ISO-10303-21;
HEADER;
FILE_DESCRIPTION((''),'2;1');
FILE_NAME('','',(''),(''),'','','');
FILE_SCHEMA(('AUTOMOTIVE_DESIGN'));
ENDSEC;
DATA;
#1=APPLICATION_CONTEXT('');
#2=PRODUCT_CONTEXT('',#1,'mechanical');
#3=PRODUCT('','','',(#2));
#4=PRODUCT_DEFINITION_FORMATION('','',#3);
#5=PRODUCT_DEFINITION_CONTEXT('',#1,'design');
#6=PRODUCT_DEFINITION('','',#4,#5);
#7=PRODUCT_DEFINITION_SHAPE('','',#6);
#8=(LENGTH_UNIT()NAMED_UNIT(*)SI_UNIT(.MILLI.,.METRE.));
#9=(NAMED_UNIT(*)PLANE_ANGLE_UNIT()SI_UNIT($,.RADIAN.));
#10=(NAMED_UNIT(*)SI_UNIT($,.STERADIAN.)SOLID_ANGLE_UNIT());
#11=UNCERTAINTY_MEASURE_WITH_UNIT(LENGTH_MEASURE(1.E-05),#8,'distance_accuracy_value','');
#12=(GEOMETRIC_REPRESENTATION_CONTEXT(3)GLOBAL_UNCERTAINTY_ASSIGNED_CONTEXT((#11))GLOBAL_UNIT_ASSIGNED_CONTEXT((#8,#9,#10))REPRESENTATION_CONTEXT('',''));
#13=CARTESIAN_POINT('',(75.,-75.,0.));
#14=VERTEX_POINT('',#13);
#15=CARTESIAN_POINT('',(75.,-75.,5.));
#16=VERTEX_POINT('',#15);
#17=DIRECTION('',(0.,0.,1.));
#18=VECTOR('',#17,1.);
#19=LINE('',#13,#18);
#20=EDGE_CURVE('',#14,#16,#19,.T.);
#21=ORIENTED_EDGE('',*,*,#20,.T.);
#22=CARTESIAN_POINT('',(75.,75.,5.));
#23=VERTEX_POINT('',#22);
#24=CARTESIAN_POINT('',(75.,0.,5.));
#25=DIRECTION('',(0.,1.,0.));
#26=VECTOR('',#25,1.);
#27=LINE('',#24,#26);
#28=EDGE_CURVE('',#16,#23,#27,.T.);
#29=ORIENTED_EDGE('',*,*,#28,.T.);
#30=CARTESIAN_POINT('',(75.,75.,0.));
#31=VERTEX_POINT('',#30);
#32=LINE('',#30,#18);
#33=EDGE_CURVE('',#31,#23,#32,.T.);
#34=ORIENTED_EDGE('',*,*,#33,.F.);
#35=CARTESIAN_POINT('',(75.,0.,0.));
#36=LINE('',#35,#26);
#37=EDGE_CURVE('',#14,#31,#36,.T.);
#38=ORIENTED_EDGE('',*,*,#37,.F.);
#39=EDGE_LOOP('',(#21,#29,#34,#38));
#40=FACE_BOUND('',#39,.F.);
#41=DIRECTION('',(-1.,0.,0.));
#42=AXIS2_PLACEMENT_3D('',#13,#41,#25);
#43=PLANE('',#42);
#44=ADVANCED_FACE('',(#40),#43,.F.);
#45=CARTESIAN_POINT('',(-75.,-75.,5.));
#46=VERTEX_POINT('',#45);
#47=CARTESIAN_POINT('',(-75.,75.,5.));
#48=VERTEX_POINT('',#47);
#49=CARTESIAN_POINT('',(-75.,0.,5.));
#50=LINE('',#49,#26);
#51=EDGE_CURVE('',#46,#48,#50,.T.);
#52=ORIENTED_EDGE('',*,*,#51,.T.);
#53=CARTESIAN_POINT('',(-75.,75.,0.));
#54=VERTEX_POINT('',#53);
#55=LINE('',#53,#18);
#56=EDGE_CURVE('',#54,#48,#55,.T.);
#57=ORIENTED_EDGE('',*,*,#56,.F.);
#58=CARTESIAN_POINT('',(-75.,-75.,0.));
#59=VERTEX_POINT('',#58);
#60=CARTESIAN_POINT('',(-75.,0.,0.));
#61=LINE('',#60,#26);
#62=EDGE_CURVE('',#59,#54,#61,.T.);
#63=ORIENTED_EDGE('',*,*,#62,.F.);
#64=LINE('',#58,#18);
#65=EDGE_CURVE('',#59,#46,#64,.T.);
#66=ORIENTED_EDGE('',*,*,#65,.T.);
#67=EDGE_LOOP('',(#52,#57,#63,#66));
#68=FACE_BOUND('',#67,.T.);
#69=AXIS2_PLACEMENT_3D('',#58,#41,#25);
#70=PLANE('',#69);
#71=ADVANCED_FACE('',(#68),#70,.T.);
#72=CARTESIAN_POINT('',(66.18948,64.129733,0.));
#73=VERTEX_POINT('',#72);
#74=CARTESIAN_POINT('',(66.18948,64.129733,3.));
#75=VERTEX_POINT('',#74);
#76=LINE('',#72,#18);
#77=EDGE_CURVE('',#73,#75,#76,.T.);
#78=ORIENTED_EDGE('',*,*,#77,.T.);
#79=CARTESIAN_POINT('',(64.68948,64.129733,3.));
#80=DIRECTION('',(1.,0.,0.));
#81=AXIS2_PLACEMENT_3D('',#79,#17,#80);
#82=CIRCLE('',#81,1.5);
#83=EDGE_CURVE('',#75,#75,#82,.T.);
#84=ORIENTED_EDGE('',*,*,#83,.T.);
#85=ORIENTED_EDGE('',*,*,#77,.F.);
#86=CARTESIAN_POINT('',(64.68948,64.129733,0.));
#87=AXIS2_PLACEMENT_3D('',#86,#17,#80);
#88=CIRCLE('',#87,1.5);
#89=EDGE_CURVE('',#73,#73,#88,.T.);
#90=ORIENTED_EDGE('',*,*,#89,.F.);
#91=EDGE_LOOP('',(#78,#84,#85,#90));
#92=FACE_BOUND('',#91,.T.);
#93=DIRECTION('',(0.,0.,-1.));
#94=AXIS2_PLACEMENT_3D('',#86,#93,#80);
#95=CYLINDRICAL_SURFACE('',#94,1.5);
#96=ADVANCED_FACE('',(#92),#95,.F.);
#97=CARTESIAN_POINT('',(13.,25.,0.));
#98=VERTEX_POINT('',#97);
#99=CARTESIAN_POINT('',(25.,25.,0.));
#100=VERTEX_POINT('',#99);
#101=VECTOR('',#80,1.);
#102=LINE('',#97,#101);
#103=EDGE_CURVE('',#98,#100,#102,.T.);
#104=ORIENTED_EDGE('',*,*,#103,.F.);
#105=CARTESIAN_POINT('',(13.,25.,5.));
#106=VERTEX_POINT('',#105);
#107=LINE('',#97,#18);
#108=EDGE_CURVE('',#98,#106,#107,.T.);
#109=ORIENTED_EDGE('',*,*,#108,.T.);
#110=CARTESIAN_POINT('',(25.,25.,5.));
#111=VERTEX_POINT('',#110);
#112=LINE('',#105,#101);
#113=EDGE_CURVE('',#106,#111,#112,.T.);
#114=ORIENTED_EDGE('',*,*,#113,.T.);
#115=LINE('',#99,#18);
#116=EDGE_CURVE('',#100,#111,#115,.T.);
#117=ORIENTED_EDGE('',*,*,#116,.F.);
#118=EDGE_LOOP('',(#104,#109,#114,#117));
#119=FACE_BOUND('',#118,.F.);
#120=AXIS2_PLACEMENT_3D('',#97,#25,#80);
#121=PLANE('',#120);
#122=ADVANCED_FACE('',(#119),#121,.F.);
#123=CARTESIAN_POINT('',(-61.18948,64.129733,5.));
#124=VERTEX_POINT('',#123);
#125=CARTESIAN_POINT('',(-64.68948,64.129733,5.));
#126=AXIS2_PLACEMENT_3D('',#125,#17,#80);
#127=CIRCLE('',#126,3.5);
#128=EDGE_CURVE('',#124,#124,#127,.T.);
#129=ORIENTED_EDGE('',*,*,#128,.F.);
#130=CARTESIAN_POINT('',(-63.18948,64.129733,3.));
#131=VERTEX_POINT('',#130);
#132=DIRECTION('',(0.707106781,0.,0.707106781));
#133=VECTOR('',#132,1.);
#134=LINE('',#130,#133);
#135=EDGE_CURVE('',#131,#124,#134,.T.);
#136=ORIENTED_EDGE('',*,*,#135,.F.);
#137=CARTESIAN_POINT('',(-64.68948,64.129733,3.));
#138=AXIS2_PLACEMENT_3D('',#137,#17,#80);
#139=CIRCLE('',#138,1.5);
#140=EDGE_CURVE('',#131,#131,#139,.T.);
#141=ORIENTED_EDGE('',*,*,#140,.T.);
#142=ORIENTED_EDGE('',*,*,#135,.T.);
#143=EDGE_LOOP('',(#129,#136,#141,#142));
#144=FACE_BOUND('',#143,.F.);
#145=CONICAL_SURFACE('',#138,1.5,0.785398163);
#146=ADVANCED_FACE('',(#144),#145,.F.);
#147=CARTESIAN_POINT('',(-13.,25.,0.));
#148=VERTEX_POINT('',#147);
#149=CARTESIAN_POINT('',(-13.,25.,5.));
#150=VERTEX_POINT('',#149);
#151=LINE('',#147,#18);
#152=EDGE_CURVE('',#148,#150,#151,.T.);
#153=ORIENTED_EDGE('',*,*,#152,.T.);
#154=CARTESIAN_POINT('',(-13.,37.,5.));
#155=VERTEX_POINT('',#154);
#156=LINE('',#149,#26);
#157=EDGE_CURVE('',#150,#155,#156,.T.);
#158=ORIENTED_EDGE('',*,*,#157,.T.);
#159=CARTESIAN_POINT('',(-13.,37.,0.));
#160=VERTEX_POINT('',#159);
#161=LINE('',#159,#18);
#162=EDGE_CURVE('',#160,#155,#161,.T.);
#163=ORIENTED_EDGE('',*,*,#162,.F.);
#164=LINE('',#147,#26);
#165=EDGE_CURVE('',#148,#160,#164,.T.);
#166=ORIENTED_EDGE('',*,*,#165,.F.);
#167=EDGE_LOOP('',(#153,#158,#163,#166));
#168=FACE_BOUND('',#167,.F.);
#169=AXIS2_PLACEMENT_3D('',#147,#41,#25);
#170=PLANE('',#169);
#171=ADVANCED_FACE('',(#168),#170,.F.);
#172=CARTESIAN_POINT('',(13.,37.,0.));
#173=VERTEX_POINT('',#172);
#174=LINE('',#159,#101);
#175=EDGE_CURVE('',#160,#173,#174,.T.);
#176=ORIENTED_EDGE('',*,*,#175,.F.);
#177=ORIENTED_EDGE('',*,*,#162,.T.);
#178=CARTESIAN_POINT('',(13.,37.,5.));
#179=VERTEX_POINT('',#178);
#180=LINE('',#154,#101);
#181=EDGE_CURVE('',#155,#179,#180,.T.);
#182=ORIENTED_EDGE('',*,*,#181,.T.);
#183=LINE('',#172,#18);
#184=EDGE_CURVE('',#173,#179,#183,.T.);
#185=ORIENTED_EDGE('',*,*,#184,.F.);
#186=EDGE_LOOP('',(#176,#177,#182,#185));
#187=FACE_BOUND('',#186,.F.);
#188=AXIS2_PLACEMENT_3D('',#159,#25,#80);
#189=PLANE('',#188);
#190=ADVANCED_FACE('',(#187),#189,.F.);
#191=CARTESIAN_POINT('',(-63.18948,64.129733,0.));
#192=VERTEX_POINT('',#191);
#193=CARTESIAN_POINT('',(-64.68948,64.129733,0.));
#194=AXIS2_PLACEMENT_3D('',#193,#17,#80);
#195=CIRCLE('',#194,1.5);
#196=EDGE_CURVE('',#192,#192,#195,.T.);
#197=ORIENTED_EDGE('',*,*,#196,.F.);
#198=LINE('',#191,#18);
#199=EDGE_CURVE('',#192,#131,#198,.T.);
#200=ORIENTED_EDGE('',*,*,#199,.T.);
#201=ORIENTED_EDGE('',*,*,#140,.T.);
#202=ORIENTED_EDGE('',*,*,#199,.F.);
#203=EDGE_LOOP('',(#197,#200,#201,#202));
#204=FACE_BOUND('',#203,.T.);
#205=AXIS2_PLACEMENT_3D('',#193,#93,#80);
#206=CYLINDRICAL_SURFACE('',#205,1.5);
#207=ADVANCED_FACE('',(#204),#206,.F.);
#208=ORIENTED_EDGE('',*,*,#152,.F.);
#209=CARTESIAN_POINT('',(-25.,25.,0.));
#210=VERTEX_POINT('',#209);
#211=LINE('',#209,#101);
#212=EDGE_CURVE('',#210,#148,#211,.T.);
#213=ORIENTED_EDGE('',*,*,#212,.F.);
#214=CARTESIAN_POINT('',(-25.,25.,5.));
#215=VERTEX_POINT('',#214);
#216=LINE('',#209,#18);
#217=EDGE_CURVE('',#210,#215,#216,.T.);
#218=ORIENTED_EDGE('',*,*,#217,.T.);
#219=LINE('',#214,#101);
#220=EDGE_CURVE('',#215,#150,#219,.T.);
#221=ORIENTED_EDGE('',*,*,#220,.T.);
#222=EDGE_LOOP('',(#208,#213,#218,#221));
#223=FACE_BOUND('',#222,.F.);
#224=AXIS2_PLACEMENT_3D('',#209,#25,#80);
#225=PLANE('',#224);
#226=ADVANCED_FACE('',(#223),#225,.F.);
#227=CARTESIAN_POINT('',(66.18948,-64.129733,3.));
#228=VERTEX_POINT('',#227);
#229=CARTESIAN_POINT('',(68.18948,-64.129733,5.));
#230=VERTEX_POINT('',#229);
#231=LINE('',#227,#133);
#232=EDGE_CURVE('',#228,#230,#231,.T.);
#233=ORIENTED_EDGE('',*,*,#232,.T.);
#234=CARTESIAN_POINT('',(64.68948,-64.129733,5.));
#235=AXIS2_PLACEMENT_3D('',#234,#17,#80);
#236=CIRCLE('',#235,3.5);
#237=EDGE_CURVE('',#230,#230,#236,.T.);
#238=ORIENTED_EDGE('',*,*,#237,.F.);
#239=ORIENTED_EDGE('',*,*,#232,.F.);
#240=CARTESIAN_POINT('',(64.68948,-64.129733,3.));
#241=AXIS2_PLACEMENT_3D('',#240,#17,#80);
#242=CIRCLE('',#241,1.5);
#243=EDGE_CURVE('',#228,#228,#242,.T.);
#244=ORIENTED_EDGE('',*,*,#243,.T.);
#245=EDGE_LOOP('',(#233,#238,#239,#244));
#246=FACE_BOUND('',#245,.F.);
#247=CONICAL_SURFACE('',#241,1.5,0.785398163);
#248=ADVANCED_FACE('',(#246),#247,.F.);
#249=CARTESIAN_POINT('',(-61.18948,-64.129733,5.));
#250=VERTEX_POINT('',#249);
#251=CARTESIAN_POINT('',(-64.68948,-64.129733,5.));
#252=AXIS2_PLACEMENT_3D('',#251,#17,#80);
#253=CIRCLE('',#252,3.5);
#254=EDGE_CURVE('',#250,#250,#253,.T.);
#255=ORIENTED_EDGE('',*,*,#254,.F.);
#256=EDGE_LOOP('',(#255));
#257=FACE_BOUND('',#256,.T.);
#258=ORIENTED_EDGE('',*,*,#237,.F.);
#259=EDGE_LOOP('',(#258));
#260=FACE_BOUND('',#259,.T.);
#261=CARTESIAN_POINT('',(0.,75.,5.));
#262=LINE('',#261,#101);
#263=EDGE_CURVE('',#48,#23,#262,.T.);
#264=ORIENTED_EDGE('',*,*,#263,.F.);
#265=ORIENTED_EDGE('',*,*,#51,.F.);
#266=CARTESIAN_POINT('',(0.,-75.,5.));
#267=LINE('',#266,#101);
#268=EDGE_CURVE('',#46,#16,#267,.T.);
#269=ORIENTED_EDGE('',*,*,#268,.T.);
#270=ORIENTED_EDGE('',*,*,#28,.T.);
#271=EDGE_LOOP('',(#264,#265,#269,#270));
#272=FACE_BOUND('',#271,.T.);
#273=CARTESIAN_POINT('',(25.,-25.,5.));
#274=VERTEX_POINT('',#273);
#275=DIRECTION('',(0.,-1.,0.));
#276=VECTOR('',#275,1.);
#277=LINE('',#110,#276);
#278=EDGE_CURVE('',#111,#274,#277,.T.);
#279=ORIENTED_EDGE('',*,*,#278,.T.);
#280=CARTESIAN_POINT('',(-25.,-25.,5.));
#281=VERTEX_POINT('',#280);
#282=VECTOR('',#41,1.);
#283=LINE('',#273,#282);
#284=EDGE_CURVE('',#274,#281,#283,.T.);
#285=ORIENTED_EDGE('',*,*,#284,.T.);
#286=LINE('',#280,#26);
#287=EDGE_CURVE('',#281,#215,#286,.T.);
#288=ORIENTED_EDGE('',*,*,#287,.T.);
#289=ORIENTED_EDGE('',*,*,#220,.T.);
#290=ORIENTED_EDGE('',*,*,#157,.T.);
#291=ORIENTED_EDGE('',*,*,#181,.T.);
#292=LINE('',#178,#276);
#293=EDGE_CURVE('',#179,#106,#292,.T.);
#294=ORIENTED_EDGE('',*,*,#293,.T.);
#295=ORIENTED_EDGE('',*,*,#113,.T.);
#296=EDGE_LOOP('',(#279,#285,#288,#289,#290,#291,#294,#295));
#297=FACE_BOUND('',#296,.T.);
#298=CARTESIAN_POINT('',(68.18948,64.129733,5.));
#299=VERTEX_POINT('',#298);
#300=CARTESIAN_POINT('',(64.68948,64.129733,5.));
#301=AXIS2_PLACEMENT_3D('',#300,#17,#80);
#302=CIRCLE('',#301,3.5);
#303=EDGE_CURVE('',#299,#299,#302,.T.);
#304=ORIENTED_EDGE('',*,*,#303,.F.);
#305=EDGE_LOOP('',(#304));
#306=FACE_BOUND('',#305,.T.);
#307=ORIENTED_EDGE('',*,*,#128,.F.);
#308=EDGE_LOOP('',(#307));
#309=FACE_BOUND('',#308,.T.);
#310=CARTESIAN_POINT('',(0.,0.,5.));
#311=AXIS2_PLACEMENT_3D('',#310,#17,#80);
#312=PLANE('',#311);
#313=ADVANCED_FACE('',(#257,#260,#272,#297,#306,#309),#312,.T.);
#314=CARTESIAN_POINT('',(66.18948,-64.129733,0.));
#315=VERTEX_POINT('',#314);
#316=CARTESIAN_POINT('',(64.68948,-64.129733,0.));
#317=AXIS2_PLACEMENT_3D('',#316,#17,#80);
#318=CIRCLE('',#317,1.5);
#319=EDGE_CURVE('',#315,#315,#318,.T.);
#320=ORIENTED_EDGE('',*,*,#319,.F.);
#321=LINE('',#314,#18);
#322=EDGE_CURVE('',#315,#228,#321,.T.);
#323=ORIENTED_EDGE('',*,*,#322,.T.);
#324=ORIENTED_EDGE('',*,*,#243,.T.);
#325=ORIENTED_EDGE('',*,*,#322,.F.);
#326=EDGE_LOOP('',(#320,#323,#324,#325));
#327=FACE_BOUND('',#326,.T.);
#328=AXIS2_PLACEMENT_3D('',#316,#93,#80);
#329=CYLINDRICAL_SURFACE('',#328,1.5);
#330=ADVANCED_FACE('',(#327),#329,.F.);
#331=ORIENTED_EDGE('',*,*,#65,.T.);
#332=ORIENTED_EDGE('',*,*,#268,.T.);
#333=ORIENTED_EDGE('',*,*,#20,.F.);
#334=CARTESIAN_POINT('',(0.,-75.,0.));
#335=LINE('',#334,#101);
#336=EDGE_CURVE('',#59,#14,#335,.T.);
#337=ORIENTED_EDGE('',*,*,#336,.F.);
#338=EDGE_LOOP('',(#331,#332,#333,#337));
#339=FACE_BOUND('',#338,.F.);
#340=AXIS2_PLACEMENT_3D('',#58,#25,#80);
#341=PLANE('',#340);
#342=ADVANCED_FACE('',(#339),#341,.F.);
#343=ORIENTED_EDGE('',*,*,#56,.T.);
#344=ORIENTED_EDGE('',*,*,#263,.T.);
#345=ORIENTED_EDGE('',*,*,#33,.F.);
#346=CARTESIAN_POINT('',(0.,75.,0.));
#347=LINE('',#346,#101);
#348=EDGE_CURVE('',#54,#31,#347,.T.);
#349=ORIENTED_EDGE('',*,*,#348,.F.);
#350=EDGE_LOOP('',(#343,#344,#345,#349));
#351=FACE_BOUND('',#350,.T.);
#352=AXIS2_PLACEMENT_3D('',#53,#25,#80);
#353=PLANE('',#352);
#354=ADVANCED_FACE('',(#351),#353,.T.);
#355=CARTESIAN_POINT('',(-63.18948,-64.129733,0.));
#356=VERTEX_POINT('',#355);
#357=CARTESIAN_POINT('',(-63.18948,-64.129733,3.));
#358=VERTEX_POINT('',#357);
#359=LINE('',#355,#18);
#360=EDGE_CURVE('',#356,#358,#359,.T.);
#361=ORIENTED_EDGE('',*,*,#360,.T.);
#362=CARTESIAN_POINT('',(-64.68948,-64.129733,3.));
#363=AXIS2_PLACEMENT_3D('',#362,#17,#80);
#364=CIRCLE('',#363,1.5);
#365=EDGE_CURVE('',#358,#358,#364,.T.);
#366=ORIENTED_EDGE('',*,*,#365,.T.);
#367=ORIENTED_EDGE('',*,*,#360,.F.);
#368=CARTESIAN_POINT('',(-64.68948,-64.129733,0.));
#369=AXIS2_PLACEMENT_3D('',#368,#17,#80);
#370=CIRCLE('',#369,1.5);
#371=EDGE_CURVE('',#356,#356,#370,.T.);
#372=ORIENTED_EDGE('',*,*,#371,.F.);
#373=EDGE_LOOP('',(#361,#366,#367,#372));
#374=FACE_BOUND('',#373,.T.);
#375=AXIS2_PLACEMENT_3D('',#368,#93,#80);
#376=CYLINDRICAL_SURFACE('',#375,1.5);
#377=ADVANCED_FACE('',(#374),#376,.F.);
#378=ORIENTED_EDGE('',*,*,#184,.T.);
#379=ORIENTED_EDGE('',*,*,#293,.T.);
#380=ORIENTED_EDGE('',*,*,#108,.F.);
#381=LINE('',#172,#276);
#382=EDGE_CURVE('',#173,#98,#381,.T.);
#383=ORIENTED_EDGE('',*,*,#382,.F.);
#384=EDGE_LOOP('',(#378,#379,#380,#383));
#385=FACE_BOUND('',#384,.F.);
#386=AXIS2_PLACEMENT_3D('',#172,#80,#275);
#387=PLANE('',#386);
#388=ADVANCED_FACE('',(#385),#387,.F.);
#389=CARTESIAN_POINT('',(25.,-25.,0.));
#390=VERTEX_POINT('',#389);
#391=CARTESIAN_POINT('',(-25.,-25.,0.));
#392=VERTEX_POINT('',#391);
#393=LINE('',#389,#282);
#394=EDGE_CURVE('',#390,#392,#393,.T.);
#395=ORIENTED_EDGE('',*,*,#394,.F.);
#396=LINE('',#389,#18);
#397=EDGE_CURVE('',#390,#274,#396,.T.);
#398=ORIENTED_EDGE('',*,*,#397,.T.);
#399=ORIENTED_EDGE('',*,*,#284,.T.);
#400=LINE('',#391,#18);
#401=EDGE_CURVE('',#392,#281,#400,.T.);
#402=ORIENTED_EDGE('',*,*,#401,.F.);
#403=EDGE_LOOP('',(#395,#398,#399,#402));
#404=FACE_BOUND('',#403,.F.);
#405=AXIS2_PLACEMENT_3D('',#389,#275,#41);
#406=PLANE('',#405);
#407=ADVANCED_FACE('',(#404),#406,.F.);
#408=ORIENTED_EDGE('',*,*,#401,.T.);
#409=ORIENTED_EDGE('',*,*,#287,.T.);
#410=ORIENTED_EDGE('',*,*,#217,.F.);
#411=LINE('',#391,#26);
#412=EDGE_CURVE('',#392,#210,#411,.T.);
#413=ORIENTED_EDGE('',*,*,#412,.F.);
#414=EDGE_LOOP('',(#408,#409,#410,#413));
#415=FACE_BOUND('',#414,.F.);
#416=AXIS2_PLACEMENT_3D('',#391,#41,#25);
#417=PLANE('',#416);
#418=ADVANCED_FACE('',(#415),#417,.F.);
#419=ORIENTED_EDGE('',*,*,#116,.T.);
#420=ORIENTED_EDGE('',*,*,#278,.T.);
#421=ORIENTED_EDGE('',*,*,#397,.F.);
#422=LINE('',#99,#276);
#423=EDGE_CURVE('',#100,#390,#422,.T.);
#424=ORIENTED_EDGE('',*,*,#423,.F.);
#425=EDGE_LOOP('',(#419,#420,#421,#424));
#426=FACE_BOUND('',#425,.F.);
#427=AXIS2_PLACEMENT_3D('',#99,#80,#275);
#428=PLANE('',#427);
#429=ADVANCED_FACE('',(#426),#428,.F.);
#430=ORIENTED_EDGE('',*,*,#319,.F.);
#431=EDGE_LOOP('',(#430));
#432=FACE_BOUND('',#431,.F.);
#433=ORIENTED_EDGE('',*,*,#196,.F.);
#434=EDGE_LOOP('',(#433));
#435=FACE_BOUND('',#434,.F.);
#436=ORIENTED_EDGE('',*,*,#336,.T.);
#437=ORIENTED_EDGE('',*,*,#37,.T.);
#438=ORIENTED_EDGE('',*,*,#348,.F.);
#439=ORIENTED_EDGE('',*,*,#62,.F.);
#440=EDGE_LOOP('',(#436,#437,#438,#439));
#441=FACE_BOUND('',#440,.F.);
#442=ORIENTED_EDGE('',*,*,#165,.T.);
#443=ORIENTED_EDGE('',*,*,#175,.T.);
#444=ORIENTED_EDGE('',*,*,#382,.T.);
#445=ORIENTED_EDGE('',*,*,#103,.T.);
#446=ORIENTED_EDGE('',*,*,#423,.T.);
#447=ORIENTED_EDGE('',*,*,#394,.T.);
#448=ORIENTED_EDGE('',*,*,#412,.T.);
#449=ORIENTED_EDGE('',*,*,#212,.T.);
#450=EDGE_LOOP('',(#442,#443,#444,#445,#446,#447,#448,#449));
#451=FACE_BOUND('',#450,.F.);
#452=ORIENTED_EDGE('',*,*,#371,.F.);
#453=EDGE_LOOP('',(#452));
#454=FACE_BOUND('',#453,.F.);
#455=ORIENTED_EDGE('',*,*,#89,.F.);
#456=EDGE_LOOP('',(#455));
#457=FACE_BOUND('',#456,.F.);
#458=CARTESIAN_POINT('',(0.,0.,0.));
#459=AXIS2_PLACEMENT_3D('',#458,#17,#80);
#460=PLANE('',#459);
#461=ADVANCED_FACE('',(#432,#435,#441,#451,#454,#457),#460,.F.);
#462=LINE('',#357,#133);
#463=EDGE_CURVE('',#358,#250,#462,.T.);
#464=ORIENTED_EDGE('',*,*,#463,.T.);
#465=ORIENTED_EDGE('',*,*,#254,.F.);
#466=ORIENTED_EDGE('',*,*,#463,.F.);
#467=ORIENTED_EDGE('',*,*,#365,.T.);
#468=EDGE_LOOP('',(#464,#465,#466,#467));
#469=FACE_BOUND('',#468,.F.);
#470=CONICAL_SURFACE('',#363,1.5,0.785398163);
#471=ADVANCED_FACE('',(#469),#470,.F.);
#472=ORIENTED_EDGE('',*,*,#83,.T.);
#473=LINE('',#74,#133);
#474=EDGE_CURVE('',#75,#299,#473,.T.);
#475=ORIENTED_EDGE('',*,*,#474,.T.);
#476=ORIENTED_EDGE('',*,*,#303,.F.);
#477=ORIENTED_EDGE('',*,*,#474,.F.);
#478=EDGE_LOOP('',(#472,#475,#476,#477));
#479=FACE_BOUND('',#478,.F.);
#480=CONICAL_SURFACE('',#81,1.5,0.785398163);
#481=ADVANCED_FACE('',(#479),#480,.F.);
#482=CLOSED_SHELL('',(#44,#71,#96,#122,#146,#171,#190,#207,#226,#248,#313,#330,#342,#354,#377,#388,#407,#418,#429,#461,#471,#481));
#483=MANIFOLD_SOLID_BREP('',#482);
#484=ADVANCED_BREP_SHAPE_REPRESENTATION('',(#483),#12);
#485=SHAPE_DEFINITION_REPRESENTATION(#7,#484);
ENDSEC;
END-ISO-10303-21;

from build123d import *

# Parameters (mm, degrees)
F0_W     = 150
F0_H     = 150
F0_R     = 1.5
F1_DEPTH = 5
F2_SIZE  = 2


with BuildPart() as f1:
    # F0 (on Top) → F1 (new body)
    with BuildSketch(Plane.XY):
        Rectangle(F0_W, F0_H)
        with Locations((-64.68948, -64.129733)):
            Circle(F0_R, mode=Mode.SUBTRACT)
        with Locations((64.68948, -64.129733)):
            Circle(F0_R, mode=Mode.SUBTRACT)
        with Locations((-64.68948, 64.129733)):
            Circle(F0_R, mode=Mode.SUBTRACT)
        Polygon((-25, -25), (-25, 25), (-13, 25), (-13, 37), (13, 37), (13, 25), (25, 25), (25, -25), align=None, mode=Mode.SUBTRACT)
        with Locations((64.68948, 64.129733)):
            Circle(F0_R, mode=Mode.SUBTRACT)
    extrude(amount=F1_DEPTH)

    # F2
    f2_edges = [f1.edges().sort_by_distance(p)[0] for p in [
        (-66.18948, 64.129733, 5),
        (-66.18948, -64.129733, 5),
        (63.18948, -64.129733, 5),
        (63.18948, 64.129733, 5),
    ]]
    chamfer(f2_edges, length=F2_SIZE)


solid = f1.part
